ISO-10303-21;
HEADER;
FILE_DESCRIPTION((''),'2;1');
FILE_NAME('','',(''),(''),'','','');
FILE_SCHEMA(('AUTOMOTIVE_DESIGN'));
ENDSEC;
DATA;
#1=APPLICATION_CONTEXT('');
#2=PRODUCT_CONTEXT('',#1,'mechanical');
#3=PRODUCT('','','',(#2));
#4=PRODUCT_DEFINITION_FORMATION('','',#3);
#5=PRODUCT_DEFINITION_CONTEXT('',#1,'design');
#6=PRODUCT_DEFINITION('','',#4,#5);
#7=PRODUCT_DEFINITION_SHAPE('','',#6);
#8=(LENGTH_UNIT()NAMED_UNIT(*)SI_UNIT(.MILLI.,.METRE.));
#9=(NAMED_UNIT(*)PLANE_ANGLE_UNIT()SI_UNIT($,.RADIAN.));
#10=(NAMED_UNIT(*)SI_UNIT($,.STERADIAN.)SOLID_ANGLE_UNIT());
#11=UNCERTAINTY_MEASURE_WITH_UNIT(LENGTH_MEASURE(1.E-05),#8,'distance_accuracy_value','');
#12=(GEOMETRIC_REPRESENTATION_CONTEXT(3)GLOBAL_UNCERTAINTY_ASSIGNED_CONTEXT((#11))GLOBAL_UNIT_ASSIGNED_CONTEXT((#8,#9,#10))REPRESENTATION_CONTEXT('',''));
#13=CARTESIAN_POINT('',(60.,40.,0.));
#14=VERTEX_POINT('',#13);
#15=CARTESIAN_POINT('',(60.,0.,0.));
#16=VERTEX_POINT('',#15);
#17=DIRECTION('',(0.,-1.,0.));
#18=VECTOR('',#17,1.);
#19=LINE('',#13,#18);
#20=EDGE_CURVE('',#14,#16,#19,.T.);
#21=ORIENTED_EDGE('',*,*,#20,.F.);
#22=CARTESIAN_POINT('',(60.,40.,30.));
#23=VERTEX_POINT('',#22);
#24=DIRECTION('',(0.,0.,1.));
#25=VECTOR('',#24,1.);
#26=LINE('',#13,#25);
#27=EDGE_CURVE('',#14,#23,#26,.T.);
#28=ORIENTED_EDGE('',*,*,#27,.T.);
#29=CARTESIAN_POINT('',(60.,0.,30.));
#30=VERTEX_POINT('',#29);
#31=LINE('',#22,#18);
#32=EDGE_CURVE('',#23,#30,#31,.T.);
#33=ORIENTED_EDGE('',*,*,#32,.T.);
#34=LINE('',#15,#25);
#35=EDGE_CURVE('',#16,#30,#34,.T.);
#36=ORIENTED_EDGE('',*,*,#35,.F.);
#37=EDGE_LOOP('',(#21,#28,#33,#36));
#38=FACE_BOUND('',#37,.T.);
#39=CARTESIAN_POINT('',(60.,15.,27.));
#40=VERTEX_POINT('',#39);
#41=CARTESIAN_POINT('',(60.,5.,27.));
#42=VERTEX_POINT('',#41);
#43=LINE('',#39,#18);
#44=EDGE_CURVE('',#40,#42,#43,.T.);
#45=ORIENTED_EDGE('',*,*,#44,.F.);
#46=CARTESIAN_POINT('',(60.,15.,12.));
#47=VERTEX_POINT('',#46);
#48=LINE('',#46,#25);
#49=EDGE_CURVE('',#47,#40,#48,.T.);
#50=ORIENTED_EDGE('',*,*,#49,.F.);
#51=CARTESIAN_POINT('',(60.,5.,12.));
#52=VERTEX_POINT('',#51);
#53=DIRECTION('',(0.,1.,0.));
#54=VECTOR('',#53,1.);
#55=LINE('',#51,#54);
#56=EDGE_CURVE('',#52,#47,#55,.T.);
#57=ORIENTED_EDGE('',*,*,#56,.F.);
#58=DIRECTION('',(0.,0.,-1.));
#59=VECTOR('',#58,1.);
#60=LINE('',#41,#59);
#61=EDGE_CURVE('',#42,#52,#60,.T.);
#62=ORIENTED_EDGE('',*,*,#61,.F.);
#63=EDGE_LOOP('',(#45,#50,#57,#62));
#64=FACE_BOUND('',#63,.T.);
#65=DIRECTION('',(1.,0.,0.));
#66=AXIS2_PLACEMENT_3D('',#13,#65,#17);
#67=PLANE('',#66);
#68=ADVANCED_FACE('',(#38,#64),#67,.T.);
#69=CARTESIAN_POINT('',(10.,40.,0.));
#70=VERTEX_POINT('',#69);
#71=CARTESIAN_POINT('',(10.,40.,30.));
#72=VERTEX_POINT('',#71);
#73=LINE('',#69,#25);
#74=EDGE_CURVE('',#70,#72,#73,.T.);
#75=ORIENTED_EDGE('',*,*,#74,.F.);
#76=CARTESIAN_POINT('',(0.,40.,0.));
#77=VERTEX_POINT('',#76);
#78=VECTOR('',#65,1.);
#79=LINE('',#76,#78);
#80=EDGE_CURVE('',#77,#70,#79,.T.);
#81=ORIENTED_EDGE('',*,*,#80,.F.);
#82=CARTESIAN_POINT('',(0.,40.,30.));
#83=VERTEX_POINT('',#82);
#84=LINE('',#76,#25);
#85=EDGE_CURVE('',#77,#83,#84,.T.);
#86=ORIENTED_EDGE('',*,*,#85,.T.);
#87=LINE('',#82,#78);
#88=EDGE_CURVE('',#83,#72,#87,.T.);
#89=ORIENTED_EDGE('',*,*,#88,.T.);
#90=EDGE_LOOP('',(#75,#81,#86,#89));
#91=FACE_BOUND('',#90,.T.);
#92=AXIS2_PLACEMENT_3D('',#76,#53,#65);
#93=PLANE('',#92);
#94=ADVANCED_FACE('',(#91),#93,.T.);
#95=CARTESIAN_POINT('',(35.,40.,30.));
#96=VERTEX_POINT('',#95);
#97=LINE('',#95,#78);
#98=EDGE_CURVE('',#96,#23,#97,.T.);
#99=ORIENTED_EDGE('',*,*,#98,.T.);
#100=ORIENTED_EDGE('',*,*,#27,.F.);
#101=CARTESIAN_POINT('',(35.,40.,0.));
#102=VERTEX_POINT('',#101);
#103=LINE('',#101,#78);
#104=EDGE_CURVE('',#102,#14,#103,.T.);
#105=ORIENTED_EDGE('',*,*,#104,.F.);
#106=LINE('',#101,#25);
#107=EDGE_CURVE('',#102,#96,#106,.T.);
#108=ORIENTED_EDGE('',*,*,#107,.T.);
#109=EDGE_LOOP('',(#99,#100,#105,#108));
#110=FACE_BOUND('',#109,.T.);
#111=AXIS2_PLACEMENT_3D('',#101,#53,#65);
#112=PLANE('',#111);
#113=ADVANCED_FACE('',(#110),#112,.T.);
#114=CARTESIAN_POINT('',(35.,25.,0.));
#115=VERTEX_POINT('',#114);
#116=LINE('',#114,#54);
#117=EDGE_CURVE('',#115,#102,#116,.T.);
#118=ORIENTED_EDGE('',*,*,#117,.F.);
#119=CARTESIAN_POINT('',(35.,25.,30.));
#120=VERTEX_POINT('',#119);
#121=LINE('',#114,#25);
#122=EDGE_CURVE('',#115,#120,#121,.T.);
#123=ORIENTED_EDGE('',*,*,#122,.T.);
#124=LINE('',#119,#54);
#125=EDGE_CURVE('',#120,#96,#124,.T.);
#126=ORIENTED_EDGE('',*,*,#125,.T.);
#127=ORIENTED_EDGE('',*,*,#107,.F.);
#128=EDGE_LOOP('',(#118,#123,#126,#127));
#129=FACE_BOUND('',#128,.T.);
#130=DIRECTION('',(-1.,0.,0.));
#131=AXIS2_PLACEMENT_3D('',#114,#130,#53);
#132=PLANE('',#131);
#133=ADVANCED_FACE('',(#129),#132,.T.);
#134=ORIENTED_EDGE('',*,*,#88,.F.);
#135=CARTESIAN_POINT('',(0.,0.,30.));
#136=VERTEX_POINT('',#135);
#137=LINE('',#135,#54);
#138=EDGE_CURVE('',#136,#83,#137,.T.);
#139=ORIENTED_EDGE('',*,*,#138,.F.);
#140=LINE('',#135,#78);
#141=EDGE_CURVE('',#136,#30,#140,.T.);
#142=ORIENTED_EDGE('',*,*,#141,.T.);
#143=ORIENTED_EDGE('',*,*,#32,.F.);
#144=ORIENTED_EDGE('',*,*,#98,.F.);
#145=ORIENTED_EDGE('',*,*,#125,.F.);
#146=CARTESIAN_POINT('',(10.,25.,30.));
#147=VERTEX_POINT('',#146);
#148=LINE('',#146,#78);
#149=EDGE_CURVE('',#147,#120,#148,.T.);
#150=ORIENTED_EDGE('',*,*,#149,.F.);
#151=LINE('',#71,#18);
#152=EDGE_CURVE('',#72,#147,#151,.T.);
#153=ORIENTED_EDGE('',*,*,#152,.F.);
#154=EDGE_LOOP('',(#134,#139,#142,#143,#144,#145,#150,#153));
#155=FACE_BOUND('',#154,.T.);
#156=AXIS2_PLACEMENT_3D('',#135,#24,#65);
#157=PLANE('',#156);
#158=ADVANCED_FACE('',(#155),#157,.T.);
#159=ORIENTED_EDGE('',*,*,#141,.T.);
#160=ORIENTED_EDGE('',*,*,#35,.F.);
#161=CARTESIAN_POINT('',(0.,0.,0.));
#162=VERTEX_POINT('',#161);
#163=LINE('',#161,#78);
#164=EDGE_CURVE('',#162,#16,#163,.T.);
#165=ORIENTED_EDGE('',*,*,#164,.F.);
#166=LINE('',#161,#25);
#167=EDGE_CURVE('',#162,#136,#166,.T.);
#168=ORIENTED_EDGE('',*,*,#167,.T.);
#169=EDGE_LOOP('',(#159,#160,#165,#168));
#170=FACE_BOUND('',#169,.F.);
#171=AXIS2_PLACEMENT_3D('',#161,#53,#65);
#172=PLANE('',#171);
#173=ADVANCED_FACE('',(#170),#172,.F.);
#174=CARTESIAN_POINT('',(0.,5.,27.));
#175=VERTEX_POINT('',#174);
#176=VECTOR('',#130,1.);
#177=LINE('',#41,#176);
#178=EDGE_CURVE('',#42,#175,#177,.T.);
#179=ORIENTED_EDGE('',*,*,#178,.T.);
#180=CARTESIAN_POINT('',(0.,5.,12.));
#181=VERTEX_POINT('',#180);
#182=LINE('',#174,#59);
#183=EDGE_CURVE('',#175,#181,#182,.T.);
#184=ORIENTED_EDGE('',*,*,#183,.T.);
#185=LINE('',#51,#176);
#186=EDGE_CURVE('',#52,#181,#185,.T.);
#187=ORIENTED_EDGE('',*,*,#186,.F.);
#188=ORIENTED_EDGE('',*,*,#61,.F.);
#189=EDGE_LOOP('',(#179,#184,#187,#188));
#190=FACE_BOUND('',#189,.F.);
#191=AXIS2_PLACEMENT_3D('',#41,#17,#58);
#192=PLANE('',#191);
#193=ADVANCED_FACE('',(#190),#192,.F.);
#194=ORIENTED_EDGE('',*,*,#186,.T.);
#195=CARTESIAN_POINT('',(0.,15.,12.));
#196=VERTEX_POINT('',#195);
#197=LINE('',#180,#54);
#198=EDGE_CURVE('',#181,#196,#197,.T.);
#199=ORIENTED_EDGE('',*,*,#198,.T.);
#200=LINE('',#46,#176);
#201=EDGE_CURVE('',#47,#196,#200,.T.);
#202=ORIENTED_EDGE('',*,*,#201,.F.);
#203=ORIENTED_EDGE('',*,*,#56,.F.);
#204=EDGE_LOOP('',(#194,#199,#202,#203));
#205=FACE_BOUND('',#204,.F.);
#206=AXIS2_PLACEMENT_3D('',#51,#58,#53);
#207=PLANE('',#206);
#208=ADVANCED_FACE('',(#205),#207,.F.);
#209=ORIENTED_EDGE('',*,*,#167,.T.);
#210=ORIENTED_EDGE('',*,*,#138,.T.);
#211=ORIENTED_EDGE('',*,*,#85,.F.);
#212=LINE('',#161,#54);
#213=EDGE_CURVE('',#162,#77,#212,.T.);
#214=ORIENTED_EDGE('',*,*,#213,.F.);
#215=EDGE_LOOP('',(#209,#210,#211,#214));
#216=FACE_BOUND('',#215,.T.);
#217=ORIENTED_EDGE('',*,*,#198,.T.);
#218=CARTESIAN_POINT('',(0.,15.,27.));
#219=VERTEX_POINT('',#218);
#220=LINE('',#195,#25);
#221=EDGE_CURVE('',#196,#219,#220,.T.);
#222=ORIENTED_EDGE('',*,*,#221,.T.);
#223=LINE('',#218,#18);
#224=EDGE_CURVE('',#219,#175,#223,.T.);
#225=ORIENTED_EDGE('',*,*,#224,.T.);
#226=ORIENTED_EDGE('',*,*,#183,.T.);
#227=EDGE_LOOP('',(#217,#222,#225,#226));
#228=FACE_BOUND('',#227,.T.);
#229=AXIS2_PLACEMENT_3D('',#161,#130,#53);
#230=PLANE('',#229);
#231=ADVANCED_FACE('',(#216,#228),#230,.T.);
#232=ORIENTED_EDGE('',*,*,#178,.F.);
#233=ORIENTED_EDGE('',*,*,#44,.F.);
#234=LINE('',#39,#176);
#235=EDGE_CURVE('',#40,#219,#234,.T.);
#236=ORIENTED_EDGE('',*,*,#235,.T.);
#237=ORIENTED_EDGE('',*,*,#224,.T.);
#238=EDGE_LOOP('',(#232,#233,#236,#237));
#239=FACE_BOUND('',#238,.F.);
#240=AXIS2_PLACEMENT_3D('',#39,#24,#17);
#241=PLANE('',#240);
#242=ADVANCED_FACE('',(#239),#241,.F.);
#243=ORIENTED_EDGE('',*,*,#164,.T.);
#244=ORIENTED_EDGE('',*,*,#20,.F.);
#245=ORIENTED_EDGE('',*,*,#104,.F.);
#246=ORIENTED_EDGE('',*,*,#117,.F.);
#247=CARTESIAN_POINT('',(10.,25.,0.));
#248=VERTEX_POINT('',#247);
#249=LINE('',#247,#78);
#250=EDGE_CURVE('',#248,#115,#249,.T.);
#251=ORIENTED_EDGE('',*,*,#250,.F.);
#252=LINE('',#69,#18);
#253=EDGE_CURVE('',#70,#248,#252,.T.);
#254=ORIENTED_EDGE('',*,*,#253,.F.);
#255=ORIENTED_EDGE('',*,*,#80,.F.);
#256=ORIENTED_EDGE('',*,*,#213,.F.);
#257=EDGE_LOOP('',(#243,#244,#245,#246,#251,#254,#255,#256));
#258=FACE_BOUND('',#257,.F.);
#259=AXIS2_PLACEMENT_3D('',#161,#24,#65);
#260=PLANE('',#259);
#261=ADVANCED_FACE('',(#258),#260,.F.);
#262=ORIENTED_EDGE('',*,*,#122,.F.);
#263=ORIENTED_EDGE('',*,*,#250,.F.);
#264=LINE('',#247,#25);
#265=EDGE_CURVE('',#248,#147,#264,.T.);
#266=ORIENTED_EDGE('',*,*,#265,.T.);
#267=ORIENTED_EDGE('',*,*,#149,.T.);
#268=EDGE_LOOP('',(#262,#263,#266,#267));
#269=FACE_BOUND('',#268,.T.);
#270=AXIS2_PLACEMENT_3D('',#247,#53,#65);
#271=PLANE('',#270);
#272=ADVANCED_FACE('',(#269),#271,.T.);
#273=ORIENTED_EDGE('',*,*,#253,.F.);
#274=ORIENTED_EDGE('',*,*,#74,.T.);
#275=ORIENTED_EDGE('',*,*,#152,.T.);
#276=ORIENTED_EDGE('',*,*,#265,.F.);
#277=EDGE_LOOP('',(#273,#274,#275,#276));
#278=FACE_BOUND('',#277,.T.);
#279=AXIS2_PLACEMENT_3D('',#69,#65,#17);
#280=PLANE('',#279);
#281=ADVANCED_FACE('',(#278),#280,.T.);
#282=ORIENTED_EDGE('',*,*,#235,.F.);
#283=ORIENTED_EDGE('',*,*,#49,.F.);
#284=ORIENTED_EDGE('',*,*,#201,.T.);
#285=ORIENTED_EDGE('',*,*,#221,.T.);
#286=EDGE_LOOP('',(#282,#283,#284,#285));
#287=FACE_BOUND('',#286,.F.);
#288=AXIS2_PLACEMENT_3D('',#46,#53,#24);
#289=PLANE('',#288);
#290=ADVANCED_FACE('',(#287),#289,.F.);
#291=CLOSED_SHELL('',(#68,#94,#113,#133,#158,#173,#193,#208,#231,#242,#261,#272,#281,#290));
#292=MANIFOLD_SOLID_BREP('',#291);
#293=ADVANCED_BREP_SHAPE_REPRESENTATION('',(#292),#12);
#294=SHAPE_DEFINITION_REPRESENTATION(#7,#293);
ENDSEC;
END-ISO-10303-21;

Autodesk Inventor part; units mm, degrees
ref_plane "YZ Plane" through (0, 0, 0) normal (1, 0, 0) x (0, 1, 0)
ref_plane "XZ Plane" through (0, 0, 0) normal (0, 1, 0) x (-1, 0, 0)
ref_plane "XY Plane" through (0, 0, 0) normal (0, 0, 1) x (1, 0, 0)
sketch "Sketch1" plane through (0, 0, 0) normal (0, 0, 1) x (1, 0, 0)
  line L0 (0, 0) -> (60, 0)
  line L1 (0, 0) -> (0, 40)
  line L2 (0, 40) -> (10, 40)
  line L3 (10, 40) -> (10, 25)
  line L4 (10, 25) -> (35, 25)
  line L5 (35, 25) -> (35, 40)
  line L6 (35, 40) -> (60, 40)
  line L7 (60, 40) -> (60, 0)
  dimension "d0" = 60
  dimension "d1" = 40
  dimension "d2" = 10
  dimension "d3" = 15
  dimension "d4" = 25
  dimension "d5" = 15
  dimension "d6" = 25
extrude "Extrusion1" add sketch "Sketch1" along normal blind 30
sketch "Sketch2" plane through (60, 0, 0) normal (1, 0, 0) x (0, 0, -1)
  line L0 (-30, 40) -> (-30, 0) projected
  line L1 (-30, 0) -> (-27, 0)
  line L2 (-30, 5) -> (-30, 0)
  line L3 (-27, 5) -> (-12, 5)
  line L4 (-12, 5) -> (-12, 15)
  line L5 (-12, 15) -> (-27, 15)
  line L6 (-27, 15) -> (-27, 5)
  point P0 (0, 0)
  dimension "d9" = 3
  dimension "d10" = 5
  dimension "d11" = 15
  dimension "d12" = 10
extrude "Extrusion2" cut sketch "Sketch2" against normal up to surface (60 mm away)
properties part number "4.2 Part B"
